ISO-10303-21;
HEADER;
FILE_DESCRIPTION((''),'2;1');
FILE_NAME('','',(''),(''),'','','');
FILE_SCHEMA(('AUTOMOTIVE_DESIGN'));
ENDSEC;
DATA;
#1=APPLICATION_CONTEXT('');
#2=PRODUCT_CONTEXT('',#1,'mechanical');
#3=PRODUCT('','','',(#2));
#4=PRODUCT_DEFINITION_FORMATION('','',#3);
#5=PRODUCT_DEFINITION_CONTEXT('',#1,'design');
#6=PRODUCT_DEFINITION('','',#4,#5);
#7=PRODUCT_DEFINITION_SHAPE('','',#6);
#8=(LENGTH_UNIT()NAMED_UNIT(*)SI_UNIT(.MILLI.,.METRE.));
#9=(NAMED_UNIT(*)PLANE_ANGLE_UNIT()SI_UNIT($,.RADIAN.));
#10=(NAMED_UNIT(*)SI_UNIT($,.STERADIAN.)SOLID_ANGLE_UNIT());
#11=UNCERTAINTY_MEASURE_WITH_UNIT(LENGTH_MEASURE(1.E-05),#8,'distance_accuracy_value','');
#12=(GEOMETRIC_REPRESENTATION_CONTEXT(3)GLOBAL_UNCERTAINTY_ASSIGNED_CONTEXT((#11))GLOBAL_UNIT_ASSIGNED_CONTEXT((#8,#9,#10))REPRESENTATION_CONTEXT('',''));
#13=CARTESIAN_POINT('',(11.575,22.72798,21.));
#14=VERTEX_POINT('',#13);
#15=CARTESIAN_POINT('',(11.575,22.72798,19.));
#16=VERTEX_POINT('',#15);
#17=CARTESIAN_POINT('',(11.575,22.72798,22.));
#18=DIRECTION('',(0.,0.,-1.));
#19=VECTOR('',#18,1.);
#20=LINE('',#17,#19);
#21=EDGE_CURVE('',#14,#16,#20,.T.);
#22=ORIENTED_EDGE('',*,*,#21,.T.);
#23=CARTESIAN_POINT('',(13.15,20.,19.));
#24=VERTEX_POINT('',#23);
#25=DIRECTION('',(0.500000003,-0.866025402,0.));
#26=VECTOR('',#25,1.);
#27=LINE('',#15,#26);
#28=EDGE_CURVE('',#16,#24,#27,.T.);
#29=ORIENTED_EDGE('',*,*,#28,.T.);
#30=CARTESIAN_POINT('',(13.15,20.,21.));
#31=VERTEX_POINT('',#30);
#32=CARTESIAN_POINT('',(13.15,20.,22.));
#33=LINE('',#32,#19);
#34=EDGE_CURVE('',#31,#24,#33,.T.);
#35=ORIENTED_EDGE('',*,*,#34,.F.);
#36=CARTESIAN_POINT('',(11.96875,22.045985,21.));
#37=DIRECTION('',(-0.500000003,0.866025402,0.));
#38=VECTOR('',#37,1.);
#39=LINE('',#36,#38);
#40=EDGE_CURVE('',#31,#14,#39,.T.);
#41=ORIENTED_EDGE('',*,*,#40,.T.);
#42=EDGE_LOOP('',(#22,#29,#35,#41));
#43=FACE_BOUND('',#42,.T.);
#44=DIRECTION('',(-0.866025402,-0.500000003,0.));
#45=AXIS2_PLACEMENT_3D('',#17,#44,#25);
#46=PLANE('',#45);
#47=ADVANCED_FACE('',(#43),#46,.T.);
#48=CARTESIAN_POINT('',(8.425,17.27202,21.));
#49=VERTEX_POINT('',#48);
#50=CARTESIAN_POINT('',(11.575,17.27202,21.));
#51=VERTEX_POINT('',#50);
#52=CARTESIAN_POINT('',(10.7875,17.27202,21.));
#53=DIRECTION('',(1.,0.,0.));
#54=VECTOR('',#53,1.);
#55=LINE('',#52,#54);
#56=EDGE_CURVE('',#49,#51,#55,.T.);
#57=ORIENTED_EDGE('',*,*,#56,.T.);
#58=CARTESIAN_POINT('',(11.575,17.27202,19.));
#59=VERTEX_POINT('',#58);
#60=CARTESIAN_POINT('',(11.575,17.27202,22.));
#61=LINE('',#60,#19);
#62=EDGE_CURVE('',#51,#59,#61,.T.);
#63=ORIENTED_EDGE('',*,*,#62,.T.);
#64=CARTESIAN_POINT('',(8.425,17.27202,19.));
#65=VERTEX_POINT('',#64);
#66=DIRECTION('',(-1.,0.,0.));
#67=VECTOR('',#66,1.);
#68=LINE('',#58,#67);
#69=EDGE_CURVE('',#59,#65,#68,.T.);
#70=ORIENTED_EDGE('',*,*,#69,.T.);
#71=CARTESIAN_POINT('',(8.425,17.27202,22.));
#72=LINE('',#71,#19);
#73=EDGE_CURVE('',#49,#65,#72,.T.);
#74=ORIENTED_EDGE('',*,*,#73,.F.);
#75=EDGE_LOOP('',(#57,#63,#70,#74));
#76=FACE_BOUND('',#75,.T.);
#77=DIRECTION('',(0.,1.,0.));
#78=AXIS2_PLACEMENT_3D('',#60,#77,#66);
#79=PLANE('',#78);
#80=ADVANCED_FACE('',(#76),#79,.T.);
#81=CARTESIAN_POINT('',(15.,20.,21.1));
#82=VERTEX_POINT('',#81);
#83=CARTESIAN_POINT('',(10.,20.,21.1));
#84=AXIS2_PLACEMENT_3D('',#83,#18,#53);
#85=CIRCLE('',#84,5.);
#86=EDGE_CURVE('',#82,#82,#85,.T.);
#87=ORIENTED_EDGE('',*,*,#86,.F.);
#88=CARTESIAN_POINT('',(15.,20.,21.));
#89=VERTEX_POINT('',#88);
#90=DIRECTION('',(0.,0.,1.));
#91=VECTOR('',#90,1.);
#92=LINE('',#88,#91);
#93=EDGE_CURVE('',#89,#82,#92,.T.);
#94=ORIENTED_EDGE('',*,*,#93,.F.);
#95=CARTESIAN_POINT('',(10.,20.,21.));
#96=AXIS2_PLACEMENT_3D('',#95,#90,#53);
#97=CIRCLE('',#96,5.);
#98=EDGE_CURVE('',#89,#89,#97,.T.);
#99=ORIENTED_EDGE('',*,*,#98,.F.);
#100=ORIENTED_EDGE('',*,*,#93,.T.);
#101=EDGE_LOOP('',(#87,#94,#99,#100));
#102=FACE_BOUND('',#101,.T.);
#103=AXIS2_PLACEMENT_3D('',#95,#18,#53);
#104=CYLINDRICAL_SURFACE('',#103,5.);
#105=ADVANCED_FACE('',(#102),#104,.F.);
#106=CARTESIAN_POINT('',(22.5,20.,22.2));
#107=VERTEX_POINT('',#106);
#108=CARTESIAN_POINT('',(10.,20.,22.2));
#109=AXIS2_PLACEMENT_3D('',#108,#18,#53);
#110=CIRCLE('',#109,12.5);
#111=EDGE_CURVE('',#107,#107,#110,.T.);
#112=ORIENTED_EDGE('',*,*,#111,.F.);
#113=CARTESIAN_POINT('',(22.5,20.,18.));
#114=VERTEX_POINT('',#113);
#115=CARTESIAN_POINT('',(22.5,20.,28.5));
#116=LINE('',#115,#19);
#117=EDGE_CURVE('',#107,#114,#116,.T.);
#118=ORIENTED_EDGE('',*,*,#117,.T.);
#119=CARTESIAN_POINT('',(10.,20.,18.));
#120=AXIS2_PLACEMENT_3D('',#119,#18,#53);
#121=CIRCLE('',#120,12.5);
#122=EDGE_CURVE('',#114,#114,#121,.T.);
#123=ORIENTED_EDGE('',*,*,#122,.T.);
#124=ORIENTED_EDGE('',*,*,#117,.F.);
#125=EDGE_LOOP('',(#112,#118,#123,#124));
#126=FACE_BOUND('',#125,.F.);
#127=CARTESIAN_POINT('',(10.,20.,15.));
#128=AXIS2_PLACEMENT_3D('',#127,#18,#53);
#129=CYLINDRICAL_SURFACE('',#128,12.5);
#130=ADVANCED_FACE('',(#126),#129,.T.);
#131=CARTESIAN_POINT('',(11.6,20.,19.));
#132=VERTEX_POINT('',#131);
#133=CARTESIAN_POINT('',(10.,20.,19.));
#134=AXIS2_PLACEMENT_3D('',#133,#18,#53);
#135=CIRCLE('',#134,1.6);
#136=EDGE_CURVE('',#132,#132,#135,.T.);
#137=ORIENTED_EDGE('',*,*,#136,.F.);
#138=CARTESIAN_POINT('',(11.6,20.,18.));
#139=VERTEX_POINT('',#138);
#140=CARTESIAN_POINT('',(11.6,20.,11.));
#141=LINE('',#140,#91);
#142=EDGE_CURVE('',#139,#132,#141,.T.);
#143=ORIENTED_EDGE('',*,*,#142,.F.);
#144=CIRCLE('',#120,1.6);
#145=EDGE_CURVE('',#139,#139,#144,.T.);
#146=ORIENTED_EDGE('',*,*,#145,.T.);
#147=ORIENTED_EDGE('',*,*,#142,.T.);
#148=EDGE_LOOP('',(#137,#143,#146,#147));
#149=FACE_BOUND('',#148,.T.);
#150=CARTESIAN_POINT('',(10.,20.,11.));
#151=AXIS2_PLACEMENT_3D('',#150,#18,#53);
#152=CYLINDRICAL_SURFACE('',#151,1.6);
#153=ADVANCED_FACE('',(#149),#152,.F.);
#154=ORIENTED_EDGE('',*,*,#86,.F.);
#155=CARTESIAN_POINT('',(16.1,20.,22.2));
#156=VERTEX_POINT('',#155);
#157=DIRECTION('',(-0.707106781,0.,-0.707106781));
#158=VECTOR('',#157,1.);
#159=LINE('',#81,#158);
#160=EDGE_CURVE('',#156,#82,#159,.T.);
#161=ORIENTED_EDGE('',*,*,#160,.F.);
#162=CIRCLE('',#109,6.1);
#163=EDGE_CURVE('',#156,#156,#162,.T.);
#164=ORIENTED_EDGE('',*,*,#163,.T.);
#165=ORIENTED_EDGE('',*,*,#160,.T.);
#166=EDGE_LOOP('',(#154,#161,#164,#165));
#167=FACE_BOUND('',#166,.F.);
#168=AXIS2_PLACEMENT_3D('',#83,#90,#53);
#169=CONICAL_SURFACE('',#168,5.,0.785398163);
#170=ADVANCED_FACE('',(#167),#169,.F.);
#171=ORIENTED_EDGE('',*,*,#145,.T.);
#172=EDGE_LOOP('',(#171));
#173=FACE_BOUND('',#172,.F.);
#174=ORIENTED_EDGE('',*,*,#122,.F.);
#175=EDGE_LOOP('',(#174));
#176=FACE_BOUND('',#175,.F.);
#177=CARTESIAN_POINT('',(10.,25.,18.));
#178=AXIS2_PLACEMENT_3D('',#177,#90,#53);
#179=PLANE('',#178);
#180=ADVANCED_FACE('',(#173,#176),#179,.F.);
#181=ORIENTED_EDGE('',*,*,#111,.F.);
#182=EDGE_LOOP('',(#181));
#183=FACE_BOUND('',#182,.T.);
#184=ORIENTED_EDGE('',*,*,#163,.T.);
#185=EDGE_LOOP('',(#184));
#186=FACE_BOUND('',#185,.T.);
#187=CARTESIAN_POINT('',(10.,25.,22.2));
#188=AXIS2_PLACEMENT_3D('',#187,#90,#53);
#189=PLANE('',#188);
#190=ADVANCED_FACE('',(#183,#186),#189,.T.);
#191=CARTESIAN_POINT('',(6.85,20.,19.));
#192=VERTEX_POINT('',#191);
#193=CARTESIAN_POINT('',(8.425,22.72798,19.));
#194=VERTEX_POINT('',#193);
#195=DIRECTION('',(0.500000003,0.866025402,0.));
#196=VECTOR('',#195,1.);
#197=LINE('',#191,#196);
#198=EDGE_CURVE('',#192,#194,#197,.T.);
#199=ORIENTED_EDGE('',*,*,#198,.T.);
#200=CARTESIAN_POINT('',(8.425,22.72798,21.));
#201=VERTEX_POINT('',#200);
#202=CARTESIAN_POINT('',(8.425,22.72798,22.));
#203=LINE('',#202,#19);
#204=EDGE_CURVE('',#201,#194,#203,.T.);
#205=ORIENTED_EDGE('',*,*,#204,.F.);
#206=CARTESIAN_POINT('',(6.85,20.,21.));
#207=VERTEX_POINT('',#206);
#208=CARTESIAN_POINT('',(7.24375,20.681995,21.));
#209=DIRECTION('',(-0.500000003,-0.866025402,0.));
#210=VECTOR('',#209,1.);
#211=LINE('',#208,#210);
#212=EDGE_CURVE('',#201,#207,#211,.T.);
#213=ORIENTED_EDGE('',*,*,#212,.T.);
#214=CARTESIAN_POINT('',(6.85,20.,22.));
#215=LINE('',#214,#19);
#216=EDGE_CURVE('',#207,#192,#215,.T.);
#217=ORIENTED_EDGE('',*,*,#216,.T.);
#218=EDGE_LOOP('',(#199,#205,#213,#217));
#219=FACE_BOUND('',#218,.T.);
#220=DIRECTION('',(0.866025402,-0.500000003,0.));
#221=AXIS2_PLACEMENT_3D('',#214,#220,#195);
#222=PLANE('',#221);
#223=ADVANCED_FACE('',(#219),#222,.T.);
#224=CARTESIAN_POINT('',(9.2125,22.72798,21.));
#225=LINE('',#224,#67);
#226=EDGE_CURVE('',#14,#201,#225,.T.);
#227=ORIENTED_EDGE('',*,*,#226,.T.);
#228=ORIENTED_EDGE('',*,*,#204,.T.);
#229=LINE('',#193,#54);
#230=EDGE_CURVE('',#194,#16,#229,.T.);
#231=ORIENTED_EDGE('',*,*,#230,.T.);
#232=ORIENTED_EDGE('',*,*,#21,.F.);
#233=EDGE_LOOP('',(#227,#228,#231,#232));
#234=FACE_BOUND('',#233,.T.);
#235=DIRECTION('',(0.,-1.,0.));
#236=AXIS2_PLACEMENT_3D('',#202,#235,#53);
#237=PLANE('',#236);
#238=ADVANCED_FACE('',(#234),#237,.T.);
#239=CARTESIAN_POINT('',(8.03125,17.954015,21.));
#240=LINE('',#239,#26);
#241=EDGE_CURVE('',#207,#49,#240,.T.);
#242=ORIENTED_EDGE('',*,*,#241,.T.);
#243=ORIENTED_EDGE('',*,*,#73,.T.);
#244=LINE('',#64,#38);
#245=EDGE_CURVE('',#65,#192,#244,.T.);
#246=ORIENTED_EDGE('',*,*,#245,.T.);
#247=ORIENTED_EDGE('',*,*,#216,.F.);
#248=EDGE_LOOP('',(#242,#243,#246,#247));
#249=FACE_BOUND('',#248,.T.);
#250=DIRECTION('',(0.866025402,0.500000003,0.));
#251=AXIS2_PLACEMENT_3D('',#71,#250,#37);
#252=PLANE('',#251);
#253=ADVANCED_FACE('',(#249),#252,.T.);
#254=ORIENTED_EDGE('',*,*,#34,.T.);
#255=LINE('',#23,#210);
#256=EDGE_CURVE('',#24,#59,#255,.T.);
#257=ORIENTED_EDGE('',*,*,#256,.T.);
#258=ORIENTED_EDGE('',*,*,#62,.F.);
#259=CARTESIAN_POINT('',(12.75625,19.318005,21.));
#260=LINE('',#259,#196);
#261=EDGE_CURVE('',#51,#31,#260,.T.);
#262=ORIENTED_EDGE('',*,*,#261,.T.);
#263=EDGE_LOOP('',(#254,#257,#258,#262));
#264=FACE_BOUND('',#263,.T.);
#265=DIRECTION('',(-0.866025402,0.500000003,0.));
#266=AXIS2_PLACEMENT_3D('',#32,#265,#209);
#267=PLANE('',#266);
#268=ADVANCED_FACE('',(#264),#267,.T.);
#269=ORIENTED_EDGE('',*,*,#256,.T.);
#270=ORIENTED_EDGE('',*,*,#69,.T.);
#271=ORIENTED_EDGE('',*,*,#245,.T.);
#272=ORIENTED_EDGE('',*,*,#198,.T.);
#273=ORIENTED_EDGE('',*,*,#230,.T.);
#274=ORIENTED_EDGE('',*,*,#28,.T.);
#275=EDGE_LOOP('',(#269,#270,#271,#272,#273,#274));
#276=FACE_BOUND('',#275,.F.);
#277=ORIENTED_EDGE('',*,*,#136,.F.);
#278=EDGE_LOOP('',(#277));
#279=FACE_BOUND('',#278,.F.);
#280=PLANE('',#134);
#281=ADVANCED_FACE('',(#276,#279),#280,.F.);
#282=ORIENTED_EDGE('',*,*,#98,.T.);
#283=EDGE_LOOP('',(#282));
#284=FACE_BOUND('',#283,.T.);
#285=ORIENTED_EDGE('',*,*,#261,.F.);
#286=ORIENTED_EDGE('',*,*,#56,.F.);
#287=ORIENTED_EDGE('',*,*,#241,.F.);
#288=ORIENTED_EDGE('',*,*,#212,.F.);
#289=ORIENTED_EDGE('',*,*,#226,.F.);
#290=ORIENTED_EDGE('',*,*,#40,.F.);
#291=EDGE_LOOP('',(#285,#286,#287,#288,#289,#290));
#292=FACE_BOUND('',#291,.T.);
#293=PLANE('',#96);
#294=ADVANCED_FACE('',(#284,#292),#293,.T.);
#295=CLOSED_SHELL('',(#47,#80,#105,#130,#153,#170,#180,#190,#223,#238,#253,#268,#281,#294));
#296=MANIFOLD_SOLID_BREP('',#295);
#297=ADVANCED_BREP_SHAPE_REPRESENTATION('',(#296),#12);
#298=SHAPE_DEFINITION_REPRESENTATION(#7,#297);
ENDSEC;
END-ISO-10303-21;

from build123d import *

# Parameters (mm, degrees)
BOX031_W          = 40
BOX031_H          = 50
BOX031_DEPTH      = 1.4
CYLINDER070_R     = 5
CYLINDER070_DEPTH = 22.75
CYLINDER069_R     = 1.6
CYLINDER069_DEPTH = 22.75
BOX029_W          = 40
BOX029_H          = 50
BOX029_DEPTH      = 10
BOX030_W          = 40
BOX030_H          = 50
BOX030_DEPTH      = 2.3
CYLINDER067_R     = 12.5
CYLINDER067_DEPTH = 7
BOX028_W          = 40
BOX028_H          = 50
BOX028_DEPTH      = 0.7
CYLINDER066_R     = 4
CYLINDER066_DEPTH = 2.75
CYLINDER064_R     = 1.6
CYLINDER064_DEPTH = 22.75
CYLINDER063_R     = 4
CYLINDER063_DEPTH = 2.75
PRISM009_DEPTH    = 3
CYLINDER065_R     = 12.5
CYLINDER065_DEPTH = 7
CHAMFER001_SIZE   = 2.4


with BuildPart() as cube031:
    # Box031 → Box031 (new body)
    with BuildSketch(Plane(origin=(-10, 0, 22.2), x_dir=(1, 0, 0), z_dir=(0, 0, 1))):
        with Locations((20, 25)):
            Rectangle(BOX031_W, BOX031_H)
    extrude(amount=BOX031_DEPTH)


with BuildPart() as cylinder071:
    # Cylinder070 → Cylinder070 (new body)
    with BuildSketch(Plane(origin=(10, 20, 21), x_dir=(1, 0, 0), z_dir=(0, 0, 1))):
        Circle(CYLINDER070_R)
    extrude(amount=CYLINDER070_DEPTH)


with BuildPart() as cylinder070:
    # Cylinder069 → Cylinder069 (new body)
    with BuildSketch(Plane(origin=(10, 20, 12), x_dir=(1, 0, 0), z_dir=(0, 0, 1))):
        Circle(CYLINDER069_R)
    extrude(amount=CYLINDER069_DEPTH)


with BuildPart() as cube029:
    # Box029 → Box029 (new body)
    with BuildSketch(Plane(origin=(-10, 0, 23.5), x_dir=(1, 0, 0), z_dir=(0, 0, 1))):
        with Locations((20, 25)):
            Rectangle(BOX029_W, BOX029_H)
    extrude(amount=BOX029_DEPTH)


with BuildPart() as cube030:
    # Box030 → Box030 (new body)
    with BuildSketch(Plane(origin=(-10, 0, 15.7), x_dir=(1, 0, 0), z_dir=(0, 0, 1))):
        with Locations((20, 25)):
            Rectangle(BOX030_W, BOX030_H)
    extrude(amount=BOX030_DEPTH)


with BuildPart() as cylinder068:
    # Cylinder067 → Cylinder067 (new body)
    with BuildSketch(Plane(origin=(10, 20, 21.5), x_dir=(1, 0, 0), z_dir=(0, 0, 1))):
        Circle(CYLINDER067_R)
    extrude(amount=CYLINDER067_DEPTH)


with BuildPart() as cube028:
    # Box028 → Box028 (new body)
    with BuildSketch(Plane(origin=(-10, 0, 15), x_dir=(1, 0, 0), z_dir=(0, 0, 1))):
        with Locations((20, 25)):
            Rectangle(BOX028_W, BOX028_H)
    extrude(amount=BOX028_DEPTH)


with BuildPart() as cylinder067:
    # Cylinder066 → Cylinder066 (new body)
    with BuildSketch(Plane(origin=(10, 20, 15.2), x_dir=(1, 0, 0), z_dir=(0, 0, 1))):
        Circle(CYLINDER066_R)
    extrude(amount=CYLINDER066_DEPTH)


with BuildPart() as cylinder063:
    # Cylinder064 → Cylinder064 (new body)
    with BuildSketch(Plane(origin=(10, 0, -31), x_dir=(1, 0, 0), z_dir=(0, 0, 1))):
        Circle(CYLINDER064_R)
    extrude(amount=CYLINDER064_DEPTH)


with BuildPart() as cylinder065:
    # Cylinder063 → Cylinder063 (new body)
    with BuildSketch(Plane(origin=(10, 0, -27), x_dir=(1, 0, 0), z_dir=(0, 0, 1))):
        Circle(CYLINDER063_R)
    extrude(amount=CYLINDER063_DEPTH)


with BuildPart() as prism009:
    # Prism009 → Prism009 (new body)
    with BuildSketch(Plane(origin=(10, 0, -20), x_dir=(1, 0, 0), z_dir=(0, 0, -1))):
        Polygon((3.15, 0), (1.575, 2.72798), (-1.575, 2.72798), (-3.15, 0), (-1.575, -2.72798), (1.575, -2.72798), align=None)
    extrude(amount=PRISM009_DEPTH)


with BuildPart() as plato_tornillo_fino:
    # Cylinder065 → Cylinder065 (new body)
    with BuildSketch(Plane(origin=(10, 0, -27), x_dir=(1, 0, 0), z_dir=(0, 0, 1))):
        Circle(CYLINDER065_R)
    extrude(amount=CYLINDER065_DEPTH)

    # Cut051: cut Prism009
    add(prism009.part, mode=Mode.SUBTRACT)

    # Cut052: cut Cylinder065
    add(cylinder065.part, mode=Mode.SUBTRACT)

    # Cut053: cut Cylinder063
    add(cylinder063.part, mode=Mode.SUBTRACT)


with BuildPart() as plato_tornillo_fino_1:
    # Cut053 placement: moved
    add(plato_tornillo_fino.part.moved(Location((0, 20, 42))))

    # Cut055: cut Cylinder067
    add(cylinder067.part, mode=Mode.SUBTRACT)

    # Cut054: cut Cube028
    add(cube028.part, mode=Mode.SUBTRACT)

    # Fusion024: union Cylinder068
    add(cylinder068.part)

    # Cut056: cut Cube030
    add(cube030.part, mode=Mode.SUBTRACT)

    # Cut057: cut Cube029
    add(cube029.part, mode=Mode.SUBTRACT)

    # Cut058: cut Cylinder070
    add(cylinder070.part, mode=Mode.SUBTRACT)

    # Cut059: cut Cylinder071
    add(cylinder071.part, mode=Mode.SUBTRACT)

    # Chamfer001
    chamfer001_edges = [plato_tornillo_fino_1.edges().sort_by_distance(p)[0] for p in [
        (5, 20, 23.5),
    ]]
    chamfer(chamfer001_edges, length=CHAMFER001_SIZE)

    # Cut060: cut Cube031
    add(cube031.part, mode=Mode.SUBTRACT)


solid = plato_tornillo_fino_1.part
